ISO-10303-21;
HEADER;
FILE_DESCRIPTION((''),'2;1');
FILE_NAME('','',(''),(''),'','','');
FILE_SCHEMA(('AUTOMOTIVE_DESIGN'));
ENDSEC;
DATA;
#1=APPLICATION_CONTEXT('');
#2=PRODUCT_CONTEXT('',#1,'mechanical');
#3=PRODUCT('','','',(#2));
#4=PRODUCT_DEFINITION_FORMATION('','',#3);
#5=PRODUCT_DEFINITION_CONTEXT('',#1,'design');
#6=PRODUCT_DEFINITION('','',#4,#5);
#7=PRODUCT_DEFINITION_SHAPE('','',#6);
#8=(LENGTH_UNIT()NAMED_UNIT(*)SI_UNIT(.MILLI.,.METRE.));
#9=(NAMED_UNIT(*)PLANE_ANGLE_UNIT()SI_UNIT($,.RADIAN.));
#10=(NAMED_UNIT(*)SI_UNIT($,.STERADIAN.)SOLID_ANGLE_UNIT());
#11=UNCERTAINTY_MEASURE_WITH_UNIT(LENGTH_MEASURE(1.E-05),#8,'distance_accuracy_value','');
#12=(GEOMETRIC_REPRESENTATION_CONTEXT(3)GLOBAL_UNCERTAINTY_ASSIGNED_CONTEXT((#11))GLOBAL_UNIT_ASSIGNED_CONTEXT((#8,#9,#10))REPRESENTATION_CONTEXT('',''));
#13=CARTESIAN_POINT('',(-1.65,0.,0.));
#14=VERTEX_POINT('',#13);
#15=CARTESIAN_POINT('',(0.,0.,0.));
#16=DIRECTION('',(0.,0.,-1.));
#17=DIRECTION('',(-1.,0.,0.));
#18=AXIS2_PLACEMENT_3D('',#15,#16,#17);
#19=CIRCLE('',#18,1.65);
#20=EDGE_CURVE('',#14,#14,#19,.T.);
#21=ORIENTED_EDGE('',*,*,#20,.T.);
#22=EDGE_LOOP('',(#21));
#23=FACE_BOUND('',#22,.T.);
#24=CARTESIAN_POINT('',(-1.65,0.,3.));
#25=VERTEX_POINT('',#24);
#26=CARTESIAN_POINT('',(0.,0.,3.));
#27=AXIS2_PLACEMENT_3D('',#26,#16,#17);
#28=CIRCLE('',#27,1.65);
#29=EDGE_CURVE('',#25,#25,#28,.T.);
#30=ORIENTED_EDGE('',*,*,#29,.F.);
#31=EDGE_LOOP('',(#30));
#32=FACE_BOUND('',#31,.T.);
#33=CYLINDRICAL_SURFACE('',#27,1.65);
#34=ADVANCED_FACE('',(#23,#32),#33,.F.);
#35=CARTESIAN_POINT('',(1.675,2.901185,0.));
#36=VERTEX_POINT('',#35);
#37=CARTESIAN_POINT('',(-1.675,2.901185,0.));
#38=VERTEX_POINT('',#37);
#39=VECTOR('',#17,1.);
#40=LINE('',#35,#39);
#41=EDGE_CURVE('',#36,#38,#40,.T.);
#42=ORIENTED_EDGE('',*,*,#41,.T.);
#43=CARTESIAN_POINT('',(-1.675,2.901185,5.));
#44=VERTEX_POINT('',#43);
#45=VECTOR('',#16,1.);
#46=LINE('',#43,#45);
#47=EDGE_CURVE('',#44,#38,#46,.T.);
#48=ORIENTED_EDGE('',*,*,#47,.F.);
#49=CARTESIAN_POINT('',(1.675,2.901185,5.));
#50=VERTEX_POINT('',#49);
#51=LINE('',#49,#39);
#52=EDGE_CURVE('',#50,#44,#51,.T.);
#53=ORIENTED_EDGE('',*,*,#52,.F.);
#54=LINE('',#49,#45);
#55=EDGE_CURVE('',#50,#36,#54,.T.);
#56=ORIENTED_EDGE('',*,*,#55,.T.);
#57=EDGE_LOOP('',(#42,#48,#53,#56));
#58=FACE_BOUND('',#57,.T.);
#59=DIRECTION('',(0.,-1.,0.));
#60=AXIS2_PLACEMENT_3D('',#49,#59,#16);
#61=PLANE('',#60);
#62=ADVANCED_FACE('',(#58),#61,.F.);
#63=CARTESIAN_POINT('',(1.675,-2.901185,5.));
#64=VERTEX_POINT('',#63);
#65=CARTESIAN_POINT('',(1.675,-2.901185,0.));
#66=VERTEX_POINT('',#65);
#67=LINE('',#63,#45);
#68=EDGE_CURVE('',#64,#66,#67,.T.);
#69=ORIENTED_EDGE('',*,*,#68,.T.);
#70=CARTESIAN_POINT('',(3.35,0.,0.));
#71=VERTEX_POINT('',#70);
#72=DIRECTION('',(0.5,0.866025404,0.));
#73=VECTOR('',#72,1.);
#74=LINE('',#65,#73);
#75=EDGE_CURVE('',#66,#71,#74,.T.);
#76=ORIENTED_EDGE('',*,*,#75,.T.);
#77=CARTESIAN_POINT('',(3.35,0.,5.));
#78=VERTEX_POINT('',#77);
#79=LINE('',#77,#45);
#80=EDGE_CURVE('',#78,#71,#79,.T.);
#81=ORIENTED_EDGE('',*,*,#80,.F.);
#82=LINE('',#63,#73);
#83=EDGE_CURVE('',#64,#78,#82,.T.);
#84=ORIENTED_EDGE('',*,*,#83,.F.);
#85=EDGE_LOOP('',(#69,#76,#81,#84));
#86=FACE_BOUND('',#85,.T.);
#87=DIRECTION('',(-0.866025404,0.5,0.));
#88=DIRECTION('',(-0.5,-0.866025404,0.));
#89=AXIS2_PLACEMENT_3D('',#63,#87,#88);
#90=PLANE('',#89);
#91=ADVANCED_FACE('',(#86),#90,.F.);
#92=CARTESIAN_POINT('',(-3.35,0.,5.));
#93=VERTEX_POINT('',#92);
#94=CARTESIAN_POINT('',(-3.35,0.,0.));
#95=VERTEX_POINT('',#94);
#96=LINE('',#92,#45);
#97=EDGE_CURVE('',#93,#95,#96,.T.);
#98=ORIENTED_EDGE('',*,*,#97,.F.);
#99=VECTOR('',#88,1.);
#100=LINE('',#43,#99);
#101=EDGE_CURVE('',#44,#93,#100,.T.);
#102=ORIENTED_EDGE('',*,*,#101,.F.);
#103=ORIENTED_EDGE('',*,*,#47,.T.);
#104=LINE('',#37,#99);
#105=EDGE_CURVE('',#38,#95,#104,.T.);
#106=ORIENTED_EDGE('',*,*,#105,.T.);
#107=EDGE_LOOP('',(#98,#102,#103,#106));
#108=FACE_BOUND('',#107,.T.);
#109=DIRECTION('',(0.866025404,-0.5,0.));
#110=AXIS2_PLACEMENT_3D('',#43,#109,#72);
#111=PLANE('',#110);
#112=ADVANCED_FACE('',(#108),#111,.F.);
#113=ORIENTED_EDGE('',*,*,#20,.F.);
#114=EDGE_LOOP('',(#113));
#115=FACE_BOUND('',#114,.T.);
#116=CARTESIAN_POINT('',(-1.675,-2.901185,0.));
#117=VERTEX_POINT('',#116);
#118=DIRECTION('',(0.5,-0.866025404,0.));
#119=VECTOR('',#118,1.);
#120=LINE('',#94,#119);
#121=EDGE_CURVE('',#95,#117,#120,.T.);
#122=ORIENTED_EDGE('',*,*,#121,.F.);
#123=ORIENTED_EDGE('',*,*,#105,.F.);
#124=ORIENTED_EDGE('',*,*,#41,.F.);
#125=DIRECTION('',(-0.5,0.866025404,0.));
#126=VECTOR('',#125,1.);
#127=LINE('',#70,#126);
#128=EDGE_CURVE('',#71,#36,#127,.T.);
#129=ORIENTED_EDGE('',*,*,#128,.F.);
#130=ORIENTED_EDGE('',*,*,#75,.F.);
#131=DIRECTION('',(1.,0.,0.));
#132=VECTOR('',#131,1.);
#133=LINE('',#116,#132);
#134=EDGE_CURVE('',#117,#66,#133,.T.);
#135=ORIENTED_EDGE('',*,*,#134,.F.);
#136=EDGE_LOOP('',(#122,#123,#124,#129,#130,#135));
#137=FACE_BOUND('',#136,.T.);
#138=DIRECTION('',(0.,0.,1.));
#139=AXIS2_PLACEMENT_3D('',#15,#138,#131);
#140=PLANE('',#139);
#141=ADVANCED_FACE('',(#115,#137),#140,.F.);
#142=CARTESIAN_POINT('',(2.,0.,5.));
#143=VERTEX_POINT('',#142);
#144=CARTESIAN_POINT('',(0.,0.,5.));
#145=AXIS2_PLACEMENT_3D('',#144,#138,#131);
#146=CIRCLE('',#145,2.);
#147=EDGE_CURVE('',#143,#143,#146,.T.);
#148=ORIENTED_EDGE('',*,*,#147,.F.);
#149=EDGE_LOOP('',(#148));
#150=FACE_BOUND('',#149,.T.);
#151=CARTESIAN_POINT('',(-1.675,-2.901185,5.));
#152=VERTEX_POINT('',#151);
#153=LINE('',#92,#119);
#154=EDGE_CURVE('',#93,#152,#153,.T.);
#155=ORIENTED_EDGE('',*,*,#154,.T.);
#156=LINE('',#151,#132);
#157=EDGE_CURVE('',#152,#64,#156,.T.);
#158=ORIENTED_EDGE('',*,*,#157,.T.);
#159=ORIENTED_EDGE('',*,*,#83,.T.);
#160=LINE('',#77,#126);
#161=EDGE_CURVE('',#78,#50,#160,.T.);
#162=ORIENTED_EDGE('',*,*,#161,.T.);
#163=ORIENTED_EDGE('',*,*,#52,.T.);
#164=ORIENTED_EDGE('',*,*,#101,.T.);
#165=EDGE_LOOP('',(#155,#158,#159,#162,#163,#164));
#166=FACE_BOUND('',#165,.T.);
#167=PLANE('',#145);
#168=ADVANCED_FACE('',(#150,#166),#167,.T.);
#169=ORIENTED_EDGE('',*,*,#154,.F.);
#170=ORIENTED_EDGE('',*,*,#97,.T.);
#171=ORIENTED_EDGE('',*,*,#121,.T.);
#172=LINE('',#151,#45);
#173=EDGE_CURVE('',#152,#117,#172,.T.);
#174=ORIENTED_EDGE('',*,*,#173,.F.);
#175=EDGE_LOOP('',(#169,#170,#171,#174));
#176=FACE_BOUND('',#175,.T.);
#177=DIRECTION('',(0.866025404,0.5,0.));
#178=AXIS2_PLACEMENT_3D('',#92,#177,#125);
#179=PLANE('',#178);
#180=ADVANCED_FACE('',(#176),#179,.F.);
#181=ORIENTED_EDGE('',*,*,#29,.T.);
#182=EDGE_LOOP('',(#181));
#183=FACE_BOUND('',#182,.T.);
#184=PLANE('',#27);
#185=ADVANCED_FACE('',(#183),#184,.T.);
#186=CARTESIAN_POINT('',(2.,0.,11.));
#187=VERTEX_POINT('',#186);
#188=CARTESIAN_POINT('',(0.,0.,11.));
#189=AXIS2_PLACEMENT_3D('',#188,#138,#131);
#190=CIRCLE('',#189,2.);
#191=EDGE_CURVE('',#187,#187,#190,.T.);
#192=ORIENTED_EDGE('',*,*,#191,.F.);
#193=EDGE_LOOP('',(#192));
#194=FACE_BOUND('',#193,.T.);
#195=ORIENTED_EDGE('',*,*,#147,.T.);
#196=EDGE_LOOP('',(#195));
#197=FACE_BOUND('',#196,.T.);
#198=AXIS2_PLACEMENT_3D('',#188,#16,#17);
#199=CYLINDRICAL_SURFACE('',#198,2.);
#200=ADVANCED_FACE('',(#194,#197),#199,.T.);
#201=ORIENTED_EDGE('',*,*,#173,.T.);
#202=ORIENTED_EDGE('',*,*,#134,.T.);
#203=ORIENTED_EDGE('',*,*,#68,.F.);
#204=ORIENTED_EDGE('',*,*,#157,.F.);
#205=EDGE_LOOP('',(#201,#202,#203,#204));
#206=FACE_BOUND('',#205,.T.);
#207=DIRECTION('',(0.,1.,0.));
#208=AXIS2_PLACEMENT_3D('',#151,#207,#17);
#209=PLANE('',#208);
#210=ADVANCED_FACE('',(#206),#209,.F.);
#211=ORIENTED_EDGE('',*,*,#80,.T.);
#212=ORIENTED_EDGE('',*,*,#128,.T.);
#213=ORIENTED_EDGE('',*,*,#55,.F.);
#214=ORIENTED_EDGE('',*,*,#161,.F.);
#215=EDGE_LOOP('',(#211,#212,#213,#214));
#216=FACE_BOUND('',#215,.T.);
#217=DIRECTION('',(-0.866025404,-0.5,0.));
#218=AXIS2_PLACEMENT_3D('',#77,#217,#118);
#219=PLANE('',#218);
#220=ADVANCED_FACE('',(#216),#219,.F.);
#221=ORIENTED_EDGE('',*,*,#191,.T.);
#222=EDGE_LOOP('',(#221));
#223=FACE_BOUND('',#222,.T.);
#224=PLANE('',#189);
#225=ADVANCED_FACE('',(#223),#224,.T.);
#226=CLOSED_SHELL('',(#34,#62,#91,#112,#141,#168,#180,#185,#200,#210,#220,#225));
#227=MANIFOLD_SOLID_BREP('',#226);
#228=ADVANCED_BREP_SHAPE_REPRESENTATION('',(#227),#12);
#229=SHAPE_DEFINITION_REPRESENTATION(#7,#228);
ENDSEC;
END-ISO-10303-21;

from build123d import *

# Parameters (mm, degrees)
EXTRUDE_1_DEPTH     = 5
SKETCH_2_R          = 2
EXTRUDE_2_DEPTH     = 6
SKETCH_3_R          = 1.65
CUT_EXTRUDE_1_DEPTH = 3


with BuildPart() as part:
    # 草圖1 → 填料-伸長1 (new body)
    with BuildSketch(Plane.XY):
        Polygon((-1.675, 2.901185103), (-3.35, 0), (-1.675, -2.901185103), (1.675, -2.901185103), (3.35, 0), (1.675, 2.901185103), align=None)
    extrude(amount=EXTRUDE_1_DEPTH)

    # 草圖2 → 填料-伸長2 (add)
    with BuildSketch(Plane.XY.offset(5)):
        Circle(SKETCH_2_R)
    extrude(amount=EXTRUDE_2_DEPTH)

    # 草圖3 → 除料-伸長1 (cut)
    with BuildSketch(Plane(origin=(0, 0, 0), x_dir=(-1, 0, 0), z_dir=(0, 0, -1))):
        Circle(SKETCH_3_R)
    extrude(amount=-CUT_EXTRUDE_1_DEPTH, mode=Mode.SUBTRACT)


solid = part.part
